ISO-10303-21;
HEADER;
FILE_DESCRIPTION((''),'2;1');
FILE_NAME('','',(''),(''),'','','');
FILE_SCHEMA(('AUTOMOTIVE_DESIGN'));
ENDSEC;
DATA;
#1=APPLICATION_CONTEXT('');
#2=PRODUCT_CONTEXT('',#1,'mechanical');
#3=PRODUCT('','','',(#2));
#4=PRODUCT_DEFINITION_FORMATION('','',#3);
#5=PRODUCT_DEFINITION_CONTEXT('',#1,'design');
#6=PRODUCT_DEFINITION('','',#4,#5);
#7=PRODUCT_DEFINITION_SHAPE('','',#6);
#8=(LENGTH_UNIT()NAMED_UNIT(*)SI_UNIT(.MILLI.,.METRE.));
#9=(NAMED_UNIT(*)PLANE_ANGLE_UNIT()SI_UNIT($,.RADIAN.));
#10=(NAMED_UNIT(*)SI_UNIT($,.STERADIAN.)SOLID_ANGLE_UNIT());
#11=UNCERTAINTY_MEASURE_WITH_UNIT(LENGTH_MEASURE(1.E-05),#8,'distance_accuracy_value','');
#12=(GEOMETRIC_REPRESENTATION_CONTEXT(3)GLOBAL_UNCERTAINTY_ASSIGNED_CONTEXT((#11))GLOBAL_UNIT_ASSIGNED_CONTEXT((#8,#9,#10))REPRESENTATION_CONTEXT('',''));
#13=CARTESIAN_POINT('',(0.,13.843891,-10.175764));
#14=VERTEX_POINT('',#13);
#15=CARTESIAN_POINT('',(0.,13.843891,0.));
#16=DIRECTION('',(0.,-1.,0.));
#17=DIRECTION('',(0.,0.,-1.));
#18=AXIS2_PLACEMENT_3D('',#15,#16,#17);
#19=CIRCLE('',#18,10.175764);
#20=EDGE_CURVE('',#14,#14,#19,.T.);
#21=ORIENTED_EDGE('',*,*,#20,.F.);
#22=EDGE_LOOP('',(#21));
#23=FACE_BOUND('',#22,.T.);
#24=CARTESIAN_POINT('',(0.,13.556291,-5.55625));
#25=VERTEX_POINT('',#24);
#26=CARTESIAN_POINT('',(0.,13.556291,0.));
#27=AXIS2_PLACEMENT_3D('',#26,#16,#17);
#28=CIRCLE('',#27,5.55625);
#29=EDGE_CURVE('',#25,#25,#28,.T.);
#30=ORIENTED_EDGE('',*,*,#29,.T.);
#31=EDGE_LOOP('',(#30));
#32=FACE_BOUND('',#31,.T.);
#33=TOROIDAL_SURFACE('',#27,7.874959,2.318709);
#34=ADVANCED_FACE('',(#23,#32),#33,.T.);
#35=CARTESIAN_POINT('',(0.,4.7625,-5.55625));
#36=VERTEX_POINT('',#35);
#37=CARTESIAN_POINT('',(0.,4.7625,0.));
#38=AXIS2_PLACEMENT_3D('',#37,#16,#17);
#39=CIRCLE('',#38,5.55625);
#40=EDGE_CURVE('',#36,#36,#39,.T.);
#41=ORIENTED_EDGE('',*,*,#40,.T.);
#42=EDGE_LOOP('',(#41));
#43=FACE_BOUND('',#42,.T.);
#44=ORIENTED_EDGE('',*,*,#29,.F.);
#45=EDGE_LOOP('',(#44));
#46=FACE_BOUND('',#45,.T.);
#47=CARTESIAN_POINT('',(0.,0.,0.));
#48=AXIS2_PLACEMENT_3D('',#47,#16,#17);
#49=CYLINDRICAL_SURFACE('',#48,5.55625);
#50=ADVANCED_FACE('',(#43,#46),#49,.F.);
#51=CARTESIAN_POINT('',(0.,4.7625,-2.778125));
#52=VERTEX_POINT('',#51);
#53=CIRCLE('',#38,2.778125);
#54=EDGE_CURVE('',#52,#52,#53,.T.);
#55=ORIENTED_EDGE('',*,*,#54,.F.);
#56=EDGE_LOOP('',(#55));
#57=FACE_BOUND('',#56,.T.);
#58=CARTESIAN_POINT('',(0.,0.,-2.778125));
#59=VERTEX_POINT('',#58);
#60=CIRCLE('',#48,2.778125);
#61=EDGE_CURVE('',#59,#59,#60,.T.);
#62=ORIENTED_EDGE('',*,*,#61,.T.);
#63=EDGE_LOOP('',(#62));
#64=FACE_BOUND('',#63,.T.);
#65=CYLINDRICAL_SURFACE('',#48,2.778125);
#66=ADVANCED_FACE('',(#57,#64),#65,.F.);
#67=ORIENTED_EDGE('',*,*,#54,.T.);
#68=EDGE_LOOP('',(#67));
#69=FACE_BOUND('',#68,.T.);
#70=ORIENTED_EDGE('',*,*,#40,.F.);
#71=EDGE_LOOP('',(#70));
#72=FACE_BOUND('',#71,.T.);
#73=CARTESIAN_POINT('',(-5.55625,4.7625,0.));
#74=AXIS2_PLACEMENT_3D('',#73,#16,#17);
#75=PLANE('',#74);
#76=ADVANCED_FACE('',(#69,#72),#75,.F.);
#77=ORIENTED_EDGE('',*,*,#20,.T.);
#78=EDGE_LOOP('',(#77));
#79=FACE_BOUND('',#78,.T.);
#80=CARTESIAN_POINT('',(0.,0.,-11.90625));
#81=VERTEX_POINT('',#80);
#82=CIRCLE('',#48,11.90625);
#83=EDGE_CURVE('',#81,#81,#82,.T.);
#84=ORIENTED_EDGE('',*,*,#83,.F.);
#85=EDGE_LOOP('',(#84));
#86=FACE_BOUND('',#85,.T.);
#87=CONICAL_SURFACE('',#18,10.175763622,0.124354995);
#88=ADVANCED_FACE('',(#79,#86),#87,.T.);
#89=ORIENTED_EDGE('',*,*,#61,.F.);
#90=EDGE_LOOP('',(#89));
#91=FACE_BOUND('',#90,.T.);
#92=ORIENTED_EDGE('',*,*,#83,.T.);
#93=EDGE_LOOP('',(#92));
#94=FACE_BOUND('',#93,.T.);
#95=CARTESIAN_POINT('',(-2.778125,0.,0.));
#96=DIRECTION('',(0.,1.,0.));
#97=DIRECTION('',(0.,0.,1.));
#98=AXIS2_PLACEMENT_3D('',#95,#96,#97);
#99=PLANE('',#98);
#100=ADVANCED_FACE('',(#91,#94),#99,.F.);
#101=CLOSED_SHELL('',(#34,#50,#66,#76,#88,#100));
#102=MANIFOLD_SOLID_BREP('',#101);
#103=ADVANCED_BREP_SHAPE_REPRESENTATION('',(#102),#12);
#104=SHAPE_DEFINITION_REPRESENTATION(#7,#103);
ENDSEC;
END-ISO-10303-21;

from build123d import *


with BuildPart() as part:
    # Sketch2 → Revolve1 (revolve)
    with BuildSketch(Plane.XY):
        with BuildLine():
            Line((-5.55625, 4.7625), (-2.778125, 4.7625))
            Line((-2.778125, 4.7625), (-2.778125, 0))
            Line((-2.778125, 0), (-11.90625, 0))
            Line((-11.90625, 0), (-10.175763622, 13.843891025))
            ThreePointArc((-10.175763622, 13.843891025), (-7.730880816, 15.870519331), (-5.55625, 13.556290509))
            Line((-5.55625, 13.556290509), (-5.55625, 4.7625))
        make_face()
    revolve(axis=Axis((0, 0, 0), (0, 1, 0)))


solid = part.part
